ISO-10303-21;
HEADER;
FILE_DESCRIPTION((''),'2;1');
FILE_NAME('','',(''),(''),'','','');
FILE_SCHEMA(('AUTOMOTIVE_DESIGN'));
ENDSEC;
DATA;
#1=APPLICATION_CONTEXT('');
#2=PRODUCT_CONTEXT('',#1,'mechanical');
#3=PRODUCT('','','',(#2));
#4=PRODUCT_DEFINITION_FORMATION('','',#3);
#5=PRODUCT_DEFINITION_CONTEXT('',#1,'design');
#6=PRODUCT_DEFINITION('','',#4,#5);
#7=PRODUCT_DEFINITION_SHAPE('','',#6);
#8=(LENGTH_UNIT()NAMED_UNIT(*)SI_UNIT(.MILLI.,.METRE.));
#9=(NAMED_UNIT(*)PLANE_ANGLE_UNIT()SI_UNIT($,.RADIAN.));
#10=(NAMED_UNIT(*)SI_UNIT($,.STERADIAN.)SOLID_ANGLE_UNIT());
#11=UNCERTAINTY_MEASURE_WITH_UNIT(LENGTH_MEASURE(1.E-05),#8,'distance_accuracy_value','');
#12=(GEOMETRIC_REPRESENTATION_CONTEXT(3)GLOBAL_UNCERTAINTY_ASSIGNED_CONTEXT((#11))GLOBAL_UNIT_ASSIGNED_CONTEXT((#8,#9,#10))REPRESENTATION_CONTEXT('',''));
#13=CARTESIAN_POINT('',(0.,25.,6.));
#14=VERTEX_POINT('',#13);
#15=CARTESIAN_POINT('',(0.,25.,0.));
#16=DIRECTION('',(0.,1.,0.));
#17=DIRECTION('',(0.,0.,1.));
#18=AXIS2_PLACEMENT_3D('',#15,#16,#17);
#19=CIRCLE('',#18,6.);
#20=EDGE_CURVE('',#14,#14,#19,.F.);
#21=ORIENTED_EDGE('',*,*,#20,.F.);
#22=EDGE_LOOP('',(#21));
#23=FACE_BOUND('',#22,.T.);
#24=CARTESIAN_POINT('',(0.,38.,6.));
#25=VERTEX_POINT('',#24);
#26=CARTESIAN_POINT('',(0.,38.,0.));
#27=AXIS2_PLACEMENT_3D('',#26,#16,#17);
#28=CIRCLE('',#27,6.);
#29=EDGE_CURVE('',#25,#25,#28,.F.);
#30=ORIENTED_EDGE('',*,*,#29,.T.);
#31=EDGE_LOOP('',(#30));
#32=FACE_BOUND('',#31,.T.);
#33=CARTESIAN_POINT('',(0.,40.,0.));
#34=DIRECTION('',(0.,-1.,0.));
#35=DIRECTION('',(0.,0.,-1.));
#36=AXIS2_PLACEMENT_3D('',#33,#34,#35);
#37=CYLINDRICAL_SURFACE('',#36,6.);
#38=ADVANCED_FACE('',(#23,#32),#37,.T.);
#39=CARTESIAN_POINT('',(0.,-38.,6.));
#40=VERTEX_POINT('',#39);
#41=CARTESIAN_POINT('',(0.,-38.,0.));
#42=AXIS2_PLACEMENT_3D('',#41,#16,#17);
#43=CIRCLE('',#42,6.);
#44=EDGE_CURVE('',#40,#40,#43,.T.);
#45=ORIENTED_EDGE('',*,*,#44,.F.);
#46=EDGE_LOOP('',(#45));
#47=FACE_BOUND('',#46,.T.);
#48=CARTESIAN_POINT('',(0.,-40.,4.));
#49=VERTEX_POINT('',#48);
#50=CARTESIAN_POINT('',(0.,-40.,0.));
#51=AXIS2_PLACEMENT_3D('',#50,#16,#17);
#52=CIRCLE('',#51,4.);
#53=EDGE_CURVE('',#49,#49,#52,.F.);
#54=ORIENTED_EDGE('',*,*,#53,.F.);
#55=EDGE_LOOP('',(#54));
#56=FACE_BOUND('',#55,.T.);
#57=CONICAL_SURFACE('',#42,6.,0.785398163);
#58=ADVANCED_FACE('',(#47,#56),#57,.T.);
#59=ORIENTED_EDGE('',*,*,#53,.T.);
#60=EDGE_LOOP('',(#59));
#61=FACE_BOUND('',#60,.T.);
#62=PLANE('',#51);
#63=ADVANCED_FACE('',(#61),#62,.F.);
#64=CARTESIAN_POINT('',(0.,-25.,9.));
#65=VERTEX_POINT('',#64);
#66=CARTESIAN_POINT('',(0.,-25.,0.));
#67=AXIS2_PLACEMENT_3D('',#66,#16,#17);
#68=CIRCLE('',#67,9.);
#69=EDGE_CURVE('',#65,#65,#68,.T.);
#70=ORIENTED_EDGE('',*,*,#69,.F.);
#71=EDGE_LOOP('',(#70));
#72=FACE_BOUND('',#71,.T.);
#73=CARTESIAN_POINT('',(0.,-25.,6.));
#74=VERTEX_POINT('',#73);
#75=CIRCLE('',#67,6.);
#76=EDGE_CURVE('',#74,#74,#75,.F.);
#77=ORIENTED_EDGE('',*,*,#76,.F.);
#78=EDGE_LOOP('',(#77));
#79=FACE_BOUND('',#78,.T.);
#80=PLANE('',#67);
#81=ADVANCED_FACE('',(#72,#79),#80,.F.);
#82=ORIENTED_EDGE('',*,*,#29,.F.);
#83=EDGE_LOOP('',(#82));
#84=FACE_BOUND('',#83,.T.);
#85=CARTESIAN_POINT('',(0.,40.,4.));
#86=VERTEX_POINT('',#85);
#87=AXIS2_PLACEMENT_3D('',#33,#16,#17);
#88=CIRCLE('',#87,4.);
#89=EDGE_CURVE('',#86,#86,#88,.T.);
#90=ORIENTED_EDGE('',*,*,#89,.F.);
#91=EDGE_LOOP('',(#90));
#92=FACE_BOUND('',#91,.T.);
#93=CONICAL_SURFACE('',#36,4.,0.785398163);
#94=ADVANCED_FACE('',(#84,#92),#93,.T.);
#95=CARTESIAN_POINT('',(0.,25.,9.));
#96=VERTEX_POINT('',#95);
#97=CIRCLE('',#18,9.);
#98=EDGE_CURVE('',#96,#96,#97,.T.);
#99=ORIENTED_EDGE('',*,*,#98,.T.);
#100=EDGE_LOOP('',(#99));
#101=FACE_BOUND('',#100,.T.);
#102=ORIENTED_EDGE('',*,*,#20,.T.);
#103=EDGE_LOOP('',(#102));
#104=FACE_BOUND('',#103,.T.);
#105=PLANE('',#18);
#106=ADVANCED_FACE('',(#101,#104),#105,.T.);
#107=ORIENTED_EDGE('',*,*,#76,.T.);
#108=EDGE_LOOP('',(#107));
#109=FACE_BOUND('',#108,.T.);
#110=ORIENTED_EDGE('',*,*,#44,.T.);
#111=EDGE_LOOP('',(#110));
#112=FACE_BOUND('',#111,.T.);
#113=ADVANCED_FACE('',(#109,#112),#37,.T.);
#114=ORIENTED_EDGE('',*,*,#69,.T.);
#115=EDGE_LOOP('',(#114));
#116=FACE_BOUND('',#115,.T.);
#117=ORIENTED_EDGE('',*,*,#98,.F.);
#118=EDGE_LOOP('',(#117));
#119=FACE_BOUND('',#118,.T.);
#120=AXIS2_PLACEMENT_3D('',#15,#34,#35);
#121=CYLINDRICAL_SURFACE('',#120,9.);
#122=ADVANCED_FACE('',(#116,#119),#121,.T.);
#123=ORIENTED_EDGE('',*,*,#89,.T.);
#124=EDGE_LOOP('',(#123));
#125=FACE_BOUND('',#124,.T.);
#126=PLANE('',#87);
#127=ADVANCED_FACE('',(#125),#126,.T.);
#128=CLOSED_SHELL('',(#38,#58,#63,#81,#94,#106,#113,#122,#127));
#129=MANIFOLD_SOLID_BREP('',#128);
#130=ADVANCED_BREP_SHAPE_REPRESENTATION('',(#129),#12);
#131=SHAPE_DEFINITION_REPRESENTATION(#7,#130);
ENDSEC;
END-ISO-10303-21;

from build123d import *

# Parameters (mm, degrees)
SKETCH1_R           = 9
BOSS_EXTRUDE1_DEPTH = 25
SKETCH2_R           = 6
BOSS_EXTRUDE2_DEPTH = 40
CHAMFER1_SIZE       = 2


with BuildPart() as part:
    # Sketch1 → Boss-Extrude1 (new, symmetric)
    with BuildSketch(Plane(origin=(0, 0, 0), x_dir=(1, 0, 0), z_dir=(0, 1, 0))):
        with Locations(Location((0, 0, 0), (0, 0, 270))):
            Circle(SKETCH1_R)
    extrude(amount=BOSS_EXTRUDE1_DEPTH, both=True)

    # Sketch2 → Boss-Extrude2 (add, symmetric)
    with BuildSketch(Plane(origin=(0, 0, 0), x_dir=(1, 0, 0), z_dir=(0, 1, 0))):
        with Locations(Location((0, 0, 0), (0, 0, 270))):
            Circle(SKETCH2_R)
    extrude(amount=BOSS_EXTRUDE2_DEPTH, both=True)

    # Chamfer1
    chamfer1_edges = [part.edges().sort_by_distance(p)[0] for p in [
        (0, -40, -6),
        (0, 40, -6),
    ]]
    chamfer(chamfer1_edges, length=CHAMFER1_SIZE)


solid = part.part
